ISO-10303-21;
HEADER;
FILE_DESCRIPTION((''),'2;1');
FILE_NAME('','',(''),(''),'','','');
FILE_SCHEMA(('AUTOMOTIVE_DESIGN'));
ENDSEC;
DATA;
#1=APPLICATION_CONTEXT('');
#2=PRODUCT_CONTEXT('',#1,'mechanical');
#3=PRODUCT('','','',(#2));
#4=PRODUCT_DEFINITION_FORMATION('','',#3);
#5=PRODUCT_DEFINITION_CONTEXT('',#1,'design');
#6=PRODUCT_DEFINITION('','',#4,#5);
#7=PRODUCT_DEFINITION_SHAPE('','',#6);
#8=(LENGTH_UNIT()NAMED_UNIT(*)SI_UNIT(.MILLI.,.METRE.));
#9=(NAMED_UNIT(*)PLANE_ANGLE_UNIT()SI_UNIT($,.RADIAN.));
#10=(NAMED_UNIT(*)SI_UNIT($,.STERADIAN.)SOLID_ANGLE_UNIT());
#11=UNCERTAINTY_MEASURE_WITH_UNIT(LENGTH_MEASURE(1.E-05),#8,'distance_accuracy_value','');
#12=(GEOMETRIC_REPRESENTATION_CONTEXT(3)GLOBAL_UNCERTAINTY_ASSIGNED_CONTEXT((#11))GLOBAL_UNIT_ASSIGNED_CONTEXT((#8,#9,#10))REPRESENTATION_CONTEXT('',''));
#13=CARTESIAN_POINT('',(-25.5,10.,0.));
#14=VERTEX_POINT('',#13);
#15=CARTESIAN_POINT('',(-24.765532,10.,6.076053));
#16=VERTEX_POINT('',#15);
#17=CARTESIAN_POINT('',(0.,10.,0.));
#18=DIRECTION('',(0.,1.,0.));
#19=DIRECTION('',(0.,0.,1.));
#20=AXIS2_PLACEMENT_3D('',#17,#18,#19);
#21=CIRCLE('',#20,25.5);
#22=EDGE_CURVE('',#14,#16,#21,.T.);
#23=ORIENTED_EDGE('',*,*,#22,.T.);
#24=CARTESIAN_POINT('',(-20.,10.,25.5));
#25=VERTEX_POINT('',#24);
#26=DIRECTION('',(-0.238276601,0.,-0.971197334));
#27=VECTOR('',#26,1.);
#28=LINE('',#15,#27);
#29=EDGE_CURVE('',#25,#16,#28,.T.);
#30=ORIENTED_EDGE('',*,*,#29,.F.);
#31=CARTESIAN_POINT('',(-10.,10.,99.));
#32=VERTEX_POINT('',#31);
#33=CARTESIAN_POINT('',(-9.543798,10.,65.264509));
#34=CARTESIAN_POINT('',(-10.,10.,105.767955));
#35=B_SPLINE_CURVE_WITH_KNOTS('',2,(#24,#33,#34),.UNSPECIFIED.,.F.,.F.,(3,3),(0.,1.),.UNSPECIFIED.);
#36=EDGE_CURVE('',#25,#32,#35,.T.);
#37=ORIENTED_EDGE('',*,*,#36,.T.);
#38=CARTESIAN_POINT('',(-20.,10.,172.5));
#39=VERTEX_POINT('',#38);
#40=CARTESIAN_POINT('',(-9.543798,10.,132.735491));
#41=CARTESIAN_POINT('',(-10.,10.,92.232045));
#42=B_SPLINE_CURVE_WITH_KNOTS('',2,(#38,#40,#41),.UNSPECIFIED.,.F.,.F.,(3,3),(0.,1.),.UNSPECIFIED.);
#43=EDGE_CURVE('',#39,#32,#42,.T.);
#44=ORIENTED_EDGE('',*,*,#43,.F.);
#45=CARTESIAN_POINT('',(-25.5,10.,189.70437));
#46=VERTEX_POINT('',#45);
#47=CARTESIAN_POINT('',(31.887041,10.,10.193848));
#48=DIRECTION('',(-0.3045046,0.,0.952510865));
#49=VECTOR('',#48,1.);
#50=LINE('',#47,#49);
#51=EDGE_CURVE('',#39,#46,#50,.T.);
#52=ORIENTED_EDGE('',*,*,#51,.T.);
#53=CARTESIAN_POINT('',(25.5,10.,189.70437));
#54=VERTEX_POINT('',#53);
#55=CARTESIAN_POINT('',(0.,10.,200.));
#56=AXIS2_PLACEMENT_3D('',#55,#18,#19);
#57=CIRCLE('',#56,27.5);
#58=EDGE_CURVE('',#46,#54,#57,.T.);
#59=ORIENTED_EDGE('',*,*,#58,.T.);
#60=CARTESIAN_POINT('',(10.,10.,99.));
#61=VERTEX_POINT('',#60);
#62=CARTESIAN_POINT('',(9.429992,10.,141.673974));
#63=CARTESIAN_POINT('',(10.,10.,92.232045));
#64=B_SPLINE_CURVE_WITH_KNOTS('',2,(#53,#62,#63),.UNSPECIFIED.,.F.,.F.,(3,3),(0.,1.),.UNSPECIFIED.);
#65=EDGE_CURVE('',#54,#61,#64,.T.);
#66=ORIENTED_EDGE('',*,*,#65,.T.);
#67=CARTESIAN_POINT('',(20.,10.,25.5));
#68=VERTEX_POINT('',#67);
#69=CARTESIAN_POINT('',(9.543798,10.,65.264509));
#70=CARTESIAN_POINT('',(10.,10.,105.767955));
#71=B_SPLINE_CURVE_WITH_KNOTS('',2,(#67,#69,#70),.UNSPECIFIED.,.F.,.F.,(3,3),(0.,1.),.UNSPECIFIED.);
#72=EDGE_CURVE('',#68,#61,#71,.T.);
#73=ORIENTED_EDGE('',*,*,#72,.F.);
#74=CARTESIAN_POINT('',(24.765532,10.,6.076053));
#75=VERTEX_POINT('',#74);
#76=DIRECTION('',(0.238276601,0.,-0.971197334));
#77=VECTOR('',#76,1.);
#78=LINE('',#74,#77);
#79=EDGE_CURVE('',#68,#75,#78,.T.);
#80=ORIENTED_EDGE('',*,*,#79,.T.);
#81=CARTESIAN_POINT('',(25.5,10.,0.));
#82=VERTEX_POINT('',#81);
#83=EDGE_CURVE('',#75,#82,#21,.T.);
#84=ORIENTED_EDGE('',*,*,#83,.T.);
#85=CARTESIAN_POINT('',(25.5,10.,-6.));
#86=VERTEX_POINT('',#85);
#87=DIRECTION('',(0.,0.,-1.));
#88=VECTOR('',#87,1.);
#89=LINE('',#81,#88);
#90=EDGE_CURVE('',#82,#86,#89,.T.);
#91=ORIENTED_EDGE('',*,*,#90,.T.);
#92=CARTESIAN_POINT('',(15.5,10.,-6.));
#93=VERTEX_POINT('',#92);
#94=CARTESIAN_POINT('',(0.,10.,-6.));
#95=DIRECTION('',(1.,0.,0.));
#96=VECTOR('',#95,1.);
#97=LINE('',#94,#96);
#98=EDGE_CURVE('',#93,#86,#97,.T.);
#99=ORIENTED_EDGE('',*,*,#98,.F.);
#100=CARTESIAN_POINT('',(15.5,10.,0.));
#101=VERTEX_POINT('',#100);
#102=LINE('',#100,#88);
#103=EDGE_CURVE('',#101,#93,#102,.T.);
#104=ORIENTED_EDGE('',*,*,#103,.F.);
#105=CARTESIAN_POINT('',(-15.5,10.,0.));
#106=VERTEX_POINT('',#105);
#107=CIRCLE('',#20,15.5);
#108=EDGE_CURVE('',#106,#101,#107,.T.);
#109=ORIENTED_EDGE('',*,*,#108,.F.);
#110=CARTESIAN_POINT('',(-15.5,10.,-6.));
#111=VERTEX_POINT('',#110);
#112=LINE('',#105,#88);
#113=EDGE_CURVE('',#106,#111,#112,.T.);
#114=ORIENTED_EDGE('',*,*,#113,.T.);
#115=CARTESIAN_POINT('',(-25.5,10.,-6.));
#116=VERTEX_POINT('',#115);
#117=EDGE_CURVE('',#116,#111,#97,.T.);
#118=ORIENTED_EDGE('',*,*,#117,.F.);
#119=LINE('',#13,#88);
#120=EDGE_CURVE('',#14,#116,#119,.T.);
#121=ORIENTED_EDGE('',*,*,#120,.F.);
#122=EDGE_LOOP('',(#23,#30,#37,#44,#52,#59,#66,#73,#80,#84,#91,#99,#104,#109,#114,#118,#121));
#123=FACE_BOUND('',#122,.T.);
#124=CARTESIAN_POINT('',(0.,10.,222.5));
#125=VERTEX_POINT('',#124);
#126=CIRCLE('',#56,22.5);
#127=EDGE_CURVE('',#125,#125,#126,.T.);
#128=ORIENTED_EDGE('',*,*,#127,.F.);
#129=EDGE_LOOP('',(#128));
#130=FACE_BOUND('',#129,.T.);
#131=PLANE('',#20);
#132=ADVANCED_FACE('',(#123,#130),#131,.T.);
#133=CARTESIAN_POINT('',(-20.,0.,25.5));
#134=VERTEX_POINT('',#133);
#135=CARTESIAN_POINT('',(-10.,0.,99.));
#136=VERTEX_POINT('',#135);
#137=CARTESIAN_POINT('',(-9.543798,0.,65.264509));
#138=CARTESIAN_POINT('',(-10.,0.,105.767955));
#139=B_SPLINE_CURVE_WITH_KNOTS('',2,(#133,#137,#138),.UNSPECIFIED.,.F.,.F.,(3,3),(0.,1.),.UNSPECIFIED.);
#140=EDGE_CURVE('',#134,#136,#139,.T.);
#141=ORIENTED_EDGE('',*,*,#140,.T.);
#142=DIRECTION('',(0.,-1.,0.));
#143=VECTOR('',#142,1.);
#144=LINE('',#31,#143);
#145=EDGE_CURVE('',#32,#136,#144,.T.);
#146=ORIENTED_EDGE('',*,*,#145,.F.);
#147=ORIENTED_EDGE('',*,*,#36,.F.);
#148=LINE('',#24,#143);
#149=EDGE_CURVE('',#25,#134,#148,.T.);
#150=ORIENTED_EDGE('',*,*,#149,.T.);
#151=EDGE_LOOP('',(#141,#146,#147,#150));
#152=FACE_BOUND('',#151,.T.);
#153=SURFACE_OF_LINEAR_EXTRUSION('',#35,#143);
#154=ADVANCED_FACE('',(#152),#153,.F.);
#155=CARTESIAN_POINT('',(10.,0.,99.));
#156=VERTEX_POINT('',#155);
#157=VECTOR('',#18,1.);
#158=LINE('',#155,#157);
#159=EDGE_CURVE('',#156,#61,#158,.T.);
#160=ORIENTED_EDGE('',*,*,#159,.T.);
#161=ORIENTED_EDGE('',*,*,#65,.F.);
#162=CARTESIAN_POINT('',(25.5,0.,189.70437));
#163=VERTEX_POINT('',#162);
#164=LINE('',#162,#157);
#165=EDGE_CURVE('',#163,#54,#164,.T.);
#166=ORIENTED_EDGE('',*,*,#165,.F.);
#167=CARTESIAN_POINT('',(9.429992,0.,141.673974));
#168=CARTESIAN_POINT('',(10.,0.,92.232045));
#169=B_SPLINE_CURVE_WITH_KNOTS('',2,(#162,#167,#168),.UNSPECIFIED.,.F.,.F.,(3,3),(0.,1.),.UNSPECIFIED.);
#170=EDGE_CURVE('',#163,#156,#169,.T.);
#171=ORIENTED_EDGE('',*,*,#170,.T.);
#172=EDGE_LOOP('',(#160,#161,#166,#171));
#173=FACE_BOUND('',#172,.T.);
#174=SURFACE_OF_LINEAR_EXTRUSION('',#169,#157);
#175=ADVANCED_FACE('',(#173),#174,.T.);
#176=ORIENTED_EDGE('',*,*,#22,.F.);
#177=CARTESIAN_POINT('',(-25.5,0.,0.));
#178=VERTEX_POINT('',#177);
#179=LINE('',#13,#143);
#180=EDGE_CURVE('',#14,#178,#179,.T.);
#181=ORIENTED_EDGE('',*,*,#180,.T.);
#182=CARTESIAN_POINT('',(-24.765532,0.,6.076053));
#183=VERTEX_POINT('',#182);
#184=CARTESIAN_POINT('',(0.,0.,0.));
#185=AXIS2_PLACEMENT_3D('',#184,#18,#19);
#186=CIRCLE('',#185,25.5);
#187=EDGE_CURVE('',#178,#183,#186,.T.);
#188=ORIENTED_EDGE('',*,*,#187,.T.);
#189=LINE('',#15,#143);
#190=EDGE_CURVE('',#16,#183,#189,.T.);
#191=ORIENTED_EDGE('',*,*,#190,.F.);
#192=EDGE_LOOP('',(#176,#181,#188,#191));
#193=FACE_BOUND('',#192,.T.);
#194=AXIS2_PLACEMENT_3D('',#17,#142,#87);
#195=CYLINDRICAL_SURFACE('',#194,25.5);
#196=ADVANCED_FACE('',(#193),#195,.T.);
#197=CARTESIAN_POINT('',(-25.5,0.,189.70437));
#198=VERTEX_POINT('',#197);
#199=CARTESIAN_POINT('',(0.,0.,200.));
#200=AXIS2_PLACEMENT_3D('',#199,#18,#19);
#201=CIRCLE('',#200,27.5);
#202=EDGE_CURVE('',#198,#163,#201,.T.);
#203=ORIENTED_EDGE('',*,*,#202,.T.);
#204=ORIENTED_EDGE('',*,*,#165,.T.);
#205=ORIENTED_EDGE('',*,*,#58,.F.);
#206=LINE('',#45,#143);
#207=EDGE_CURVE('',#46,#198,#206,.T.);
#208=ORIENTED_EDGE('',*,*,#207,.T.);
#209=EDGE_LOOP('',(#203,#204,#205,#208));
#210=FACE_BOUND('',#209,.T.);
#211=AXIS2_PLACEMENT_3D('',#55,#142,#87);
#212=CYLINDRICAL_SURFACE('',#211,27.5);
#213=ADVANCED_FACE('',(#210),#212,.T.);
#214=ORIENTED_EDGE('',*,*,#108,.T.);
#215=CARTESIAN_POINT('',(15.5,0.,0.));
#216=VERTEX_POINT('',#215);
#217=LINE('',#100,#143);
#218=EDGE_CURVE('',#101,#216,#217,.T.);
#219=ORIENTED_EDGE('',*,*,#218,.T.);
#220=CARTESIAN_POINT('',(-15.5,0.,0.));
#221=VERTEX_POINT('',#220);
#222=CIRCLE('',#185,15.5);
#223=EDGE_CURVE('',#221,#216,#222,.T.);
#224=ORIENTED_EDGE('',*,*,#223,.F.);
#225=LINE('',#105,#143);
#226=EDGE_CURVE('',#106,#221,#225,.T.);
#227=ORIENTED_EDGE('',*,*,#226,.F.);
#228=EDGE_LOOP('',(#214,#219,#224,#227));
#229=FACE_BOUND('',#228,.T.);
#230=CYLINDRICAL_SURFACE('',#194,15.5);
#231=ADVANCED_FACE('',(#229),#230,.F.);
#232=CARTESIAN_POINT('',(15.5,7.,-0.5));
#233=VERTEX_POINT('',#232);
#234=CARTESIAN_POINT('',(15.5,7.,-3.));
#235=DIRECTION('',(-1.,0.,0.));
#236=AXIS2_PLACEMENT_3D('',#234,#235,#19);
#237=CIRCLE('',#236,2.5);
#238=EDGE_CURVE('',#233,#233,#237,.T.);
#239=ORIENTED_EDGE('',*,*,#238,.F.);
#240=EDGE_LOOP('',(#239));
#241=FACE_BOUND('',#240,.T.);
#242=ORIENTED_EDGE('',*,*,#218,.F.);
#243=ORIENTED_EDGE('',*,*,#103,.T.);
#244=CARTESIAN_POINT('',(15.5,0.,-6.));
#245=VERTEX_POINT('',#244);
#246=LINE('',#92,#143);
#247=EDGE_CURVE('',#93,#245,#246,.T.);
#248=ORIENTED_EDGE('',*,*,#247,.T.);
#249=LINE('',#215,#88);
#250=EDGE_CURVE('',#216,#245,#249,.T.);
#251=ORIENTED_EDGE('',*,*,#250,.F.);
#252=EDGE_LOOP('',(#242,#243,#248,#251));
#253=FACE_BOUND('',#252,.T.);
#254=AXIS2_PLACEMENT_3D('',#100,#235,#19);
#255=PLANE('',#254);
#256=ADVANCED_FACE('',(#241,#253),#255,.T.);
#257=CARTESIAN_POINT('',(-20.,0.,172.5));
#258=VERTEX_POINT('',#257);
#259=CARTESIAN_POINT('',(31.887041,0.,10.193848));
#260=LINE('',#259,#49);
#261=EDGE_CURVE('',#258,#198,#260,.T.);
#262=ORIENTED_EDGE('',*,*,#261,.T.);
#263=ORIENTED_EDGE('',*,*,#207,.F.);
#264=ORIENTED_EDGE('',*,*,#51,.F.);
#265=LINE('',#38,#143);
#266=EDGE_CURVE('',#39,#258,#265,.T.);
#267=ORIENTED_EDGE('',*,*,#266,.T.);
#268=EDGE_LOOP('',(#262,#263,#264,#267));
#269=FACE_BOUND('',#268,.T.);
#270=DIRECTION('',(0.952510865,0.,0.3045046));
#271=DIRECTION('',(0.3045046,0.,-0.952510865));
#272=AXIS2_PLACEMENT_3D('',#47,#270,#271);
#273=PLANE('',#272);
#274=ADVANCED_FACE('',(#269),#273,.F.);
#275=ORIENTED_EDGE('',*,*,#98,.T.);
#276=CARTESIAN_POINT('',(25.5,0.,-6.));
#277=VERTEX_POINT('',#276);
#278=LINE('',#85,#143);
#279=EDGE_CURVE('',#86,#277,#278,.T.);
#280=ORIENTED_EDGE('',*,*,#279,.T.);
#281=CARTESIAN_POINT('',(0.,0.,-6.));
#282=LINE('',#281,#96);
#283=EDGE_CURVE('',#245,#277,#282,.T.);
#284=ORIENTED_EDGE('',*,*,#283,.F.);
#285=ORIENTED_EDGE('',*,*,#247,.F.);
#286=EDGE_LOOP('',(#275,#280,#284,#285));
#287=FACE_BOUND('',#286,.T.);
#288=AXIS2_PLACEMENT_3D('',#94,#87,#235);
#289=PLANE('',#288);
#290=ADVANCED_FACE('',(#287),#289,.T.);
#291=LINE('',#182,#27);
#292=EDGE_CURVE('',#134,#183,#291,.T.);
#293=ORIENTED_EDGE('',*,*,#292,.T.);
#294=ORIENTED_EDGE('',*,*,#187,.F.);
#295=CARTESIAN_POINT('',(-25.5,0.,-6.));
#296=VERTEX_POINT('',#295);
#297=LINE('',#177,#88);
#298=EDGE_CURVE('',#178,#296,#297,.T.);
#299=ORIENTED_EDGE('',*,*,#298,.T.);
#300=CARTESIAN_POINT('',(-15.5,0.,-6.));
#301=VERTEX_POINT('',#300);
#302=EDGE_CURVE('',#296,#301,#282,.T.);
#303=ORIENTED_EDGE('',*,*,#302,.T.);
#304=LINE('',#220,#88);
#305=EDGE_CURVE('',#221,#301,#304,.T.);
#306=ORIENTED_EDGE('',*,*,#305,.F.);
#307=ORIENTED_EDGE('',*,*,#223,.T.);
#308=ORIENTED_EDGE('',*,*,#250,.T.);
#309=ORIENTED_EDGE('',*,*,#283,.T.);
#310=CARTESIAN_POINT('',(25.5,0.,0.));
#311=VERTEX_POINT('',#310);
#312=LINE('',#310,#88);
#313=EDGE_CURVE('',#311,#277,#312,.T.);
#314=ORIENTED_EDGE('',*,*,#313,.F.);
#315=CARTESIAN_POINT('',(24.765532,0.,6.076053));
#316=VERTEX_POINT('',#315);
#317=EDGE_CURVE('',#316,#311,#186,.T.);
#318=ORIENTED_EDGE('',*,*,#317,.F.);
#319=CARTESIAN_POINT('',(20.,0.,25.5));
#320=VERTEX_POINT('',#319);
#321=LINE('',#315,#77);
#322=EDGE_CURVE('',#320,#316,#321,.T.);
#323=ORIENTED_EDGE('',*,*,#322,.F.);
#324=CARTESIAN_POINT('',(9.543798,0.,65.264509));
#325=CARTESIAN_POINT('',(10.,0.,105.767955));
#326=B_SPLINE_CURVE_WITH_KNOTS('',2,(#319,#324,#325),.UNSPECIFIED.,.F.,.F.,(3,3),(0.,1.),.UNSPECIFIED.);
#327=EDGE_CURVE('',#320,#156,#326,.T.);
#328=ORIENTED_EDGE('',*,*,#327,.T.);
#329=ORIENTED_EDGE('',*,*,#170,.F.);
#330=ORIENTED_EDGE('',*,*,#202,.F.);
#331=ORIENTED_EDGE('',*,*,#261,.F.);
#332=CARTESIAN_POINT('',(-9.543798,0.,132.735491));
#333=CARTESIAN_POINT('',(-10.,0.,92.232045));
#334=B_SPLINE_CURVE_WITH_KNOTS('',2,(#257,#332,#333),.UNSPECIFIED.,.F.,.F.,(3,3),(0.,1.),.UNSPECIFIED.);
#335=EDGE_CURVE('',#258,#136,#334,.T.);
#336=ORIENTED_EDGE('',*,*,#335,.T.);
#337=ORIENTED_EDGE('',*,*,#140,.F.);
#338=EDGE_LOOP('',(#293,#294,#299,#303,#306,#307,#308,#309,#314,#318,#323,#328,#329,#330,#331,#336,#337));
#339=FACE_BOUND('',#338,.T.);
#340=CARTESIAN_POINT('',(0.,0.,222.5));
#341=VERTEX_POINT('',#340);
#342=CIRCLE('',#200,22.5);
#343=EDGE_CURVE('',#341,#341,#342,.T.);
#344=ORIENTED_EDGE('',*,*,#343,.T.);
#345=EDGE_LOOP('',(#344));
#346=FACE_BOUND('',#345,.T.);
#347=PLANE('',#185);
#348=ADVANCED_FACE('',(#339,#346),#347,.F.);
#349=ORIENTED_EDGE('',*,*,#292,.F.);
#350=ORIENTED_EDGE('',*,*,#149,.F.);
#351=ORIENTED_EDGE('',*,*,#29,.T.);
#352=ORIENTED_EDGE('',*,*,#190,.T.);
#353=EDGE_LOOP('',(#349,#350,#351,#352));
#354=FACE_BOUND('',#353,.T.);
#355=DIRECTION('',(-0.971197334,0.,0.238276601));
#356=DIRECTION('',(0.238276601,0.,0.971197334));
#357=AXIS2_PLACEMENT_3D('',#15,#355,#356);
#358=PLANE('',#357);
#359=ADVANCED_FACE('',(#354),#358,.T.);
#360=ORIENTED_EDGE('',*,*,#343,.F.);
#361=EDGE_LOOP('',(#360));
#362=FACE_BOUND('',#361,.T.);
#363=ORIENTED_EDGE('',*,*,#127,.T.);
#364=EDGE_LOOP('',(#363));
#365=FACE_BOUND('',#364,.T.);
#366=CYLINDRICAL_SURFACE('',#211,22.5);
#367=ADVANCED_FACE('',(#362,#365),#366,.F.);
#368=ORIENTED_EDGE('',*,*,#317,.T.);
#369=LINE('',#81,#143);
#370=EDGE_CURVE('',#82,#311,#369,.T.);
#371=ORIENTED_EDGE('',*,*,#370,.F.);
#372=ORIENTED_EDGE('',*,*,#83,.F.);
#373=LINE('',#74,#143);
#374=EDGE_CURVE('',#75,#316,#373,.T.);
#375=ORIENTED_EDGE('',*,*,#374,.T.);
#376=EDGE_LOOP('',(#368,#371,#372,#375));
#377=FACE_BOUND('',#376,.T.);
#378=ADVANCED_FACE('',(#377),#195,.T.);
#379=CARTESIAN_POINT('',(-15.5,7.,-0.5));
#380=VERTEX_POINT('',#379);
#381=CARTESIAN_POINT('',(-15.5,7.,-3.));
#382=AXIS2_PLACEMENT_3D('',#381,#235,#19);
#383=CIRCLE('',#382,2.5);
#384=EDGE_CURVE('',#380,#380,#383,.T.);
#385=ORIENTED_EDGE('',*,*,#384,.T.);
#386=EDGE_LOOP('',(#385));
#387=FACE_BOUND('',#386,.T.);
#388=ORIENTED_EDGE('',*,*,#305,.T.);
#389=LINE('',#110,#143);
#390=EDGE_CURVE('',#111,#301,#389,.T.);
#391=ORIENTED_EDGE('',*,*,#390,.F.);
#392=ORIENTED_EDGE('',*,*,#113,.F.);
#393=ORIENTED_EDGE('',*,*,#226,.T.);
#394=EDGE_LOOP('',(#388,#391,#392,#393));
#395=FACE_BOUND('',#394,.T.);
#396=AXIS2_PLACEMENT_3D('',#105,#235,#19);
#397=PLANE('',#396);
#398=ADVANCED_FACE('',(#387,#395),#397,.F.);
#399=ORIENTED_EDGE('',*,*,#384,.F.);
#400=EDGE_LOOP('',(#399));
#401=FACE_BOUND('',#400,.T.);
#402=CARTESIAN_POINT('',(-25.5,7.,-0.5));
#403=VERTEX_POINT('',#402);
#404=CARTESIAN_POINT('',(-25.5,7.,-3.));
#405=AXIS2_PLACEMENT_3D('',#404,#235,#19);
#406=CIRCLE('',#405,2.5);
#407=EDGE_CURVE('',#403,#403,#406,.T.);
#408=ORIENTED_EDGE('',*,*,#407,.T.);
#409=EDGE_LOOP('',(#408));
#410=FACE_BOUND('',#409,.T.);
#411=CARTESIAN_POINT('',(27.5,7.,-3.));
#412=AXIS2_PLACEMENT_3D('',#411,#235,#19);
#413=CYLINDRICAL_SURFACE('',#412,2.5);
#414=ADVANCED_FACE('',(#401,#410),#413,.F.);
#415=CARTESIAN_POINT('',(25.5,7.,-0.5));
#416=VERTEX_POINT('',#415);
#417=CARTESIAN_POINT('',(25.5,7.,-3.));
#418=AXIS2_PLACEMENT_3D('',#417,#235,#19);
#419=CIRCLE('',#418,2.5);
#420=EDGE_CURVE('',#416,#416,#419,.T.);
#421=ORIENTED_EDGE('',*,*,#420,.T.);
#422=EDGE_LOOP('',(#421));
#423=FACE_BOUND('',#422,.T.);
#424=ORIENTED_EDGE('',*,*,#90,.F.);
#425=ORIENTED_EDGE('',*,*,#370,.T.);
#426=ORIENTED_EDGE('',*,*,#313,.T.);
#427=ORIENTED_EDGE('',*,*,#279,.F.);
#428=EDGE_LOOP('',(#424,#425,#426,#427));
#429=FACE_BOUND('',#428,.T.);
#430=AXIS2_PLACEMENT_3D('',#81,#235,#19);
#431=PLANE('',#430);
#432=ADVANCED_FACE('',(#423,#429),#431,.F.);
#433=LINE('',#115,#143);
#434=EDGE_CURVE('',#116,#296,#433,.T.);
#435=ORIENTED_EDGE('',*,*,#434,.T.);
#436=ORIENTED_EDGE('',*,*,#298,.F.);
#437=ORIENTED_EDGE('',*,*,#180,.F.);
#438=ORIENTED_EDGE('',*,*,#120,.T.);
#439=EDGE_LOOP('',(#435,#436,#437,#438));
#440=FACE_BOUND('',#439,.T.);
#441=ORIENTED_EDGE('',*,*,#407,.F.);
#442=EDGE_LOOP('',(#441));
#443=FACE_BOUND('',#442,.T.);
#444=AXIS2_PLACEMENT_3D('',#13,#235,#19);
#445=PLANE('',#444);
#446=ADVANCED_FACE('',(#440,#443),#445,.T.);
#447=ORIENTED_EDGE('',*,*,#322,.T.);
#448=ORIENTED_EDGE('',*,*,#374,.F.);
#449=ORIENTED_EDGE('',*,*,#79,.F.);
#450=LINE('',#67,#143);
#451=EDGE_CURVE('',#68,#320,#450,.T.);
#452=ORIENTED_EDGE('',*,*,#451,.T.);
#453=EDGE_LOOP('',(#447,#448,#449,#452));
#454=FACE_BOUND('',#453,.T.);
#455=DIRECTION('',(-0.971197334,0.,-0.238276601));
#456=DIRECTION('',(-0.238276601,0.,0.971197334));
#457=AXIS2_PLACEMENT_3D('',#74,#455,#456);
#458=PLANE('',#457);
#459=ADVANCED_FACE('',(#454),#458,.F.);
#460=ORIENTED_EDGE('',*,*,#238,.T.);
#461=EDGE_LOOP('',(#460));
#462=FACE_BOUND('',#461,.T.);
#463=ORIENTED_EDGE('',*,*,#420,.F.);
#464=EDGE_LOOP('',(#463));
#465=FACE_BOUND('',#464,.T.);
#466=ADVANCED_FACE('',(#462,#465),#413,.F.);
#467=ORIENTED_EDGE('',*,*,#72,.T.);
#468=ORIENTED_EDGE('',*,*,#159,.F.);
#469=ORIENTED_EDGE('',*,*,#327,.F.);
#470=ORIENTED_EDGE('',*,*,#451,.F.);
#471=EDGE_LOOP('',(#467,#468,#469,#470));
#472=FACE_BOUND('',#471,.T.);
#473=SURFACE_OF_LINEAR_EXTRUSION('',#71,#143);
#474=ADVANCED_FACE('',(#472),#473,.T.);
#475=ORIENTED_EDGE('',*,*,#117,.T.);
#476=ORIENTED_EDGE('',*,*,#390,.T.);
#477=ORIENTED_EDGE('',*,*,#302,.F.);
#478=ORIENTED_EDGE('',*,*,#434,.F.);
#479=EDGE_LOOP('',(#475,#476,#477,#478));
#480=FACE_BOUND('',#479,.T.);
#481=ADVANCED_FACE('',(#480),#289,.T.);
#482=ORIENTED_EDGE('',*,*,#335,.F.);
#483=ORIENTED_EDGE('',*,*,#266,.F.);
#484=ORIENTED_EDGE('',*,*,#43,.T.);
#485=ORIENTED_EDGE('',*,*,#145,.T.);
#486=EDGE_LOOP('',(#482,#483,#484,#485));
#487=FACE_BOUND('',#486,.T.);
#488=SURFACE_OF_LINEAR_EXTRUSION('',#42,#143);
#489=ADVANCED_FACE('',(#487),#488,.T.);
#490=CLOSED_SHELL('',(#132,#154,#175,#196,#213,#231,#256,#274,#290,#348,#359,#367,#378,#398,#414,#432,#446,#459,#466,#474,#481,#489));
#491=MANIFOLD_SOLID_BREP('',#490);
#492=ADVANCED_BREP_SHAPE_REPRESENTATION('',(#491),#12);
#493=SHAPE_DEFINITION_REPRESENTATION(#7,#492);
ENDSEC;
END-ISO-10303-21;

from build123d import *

# Parameters (mm, degrees)
BOSS_EXTRUDE1_DEPTH   = 10
SKETCH1_R             = 22.5
BOSS_EXTRUDE1_2_DEPTH = 10
BOSS_EXTRUDE6_DEPTH   = 10
SKETCH4_R             = 2.5
CUT_EXTRUDE1_DEPTH    = 234.806009457


with BuildPart() as part:
    # Sketch1 → Boss-Extrude1 (new body)
    with BuildSketch(Plane(origin=(0, 0, 0), x_dir=(1, 0, 0), z_dir=(0, 1, 0))):
        with BuildLine():
            Line((-25.5, 6), (-25.5, 0))
            ThreePointArc((-25.5, 0), (-25.315717118, -3.06014163), (-24.765532016, -6.076053321))
            Line((-24.765532016, -6.076053321), (-20, -25.5))
            add(Edge.make_bspline(
                [(-20, -25.5), (-10.418058305, -61.939732527), (-10, -99)],
                knots=[0, 0, 0, 0.916388339, 0.916388339, 0.916388339], degree=2))
            Line((-10, -99), (0, -99))
            Line((0, -99), (0, -172.5))
            Line((0, -172.5), (10, -172.5))
            Line((10, -172.5), (10, -105.767954903))
            add(Edge.make_bspline(
                [(10, -99), (9.961856183, -102.381394532), (10, -105.767954903)],
                knots=[0.916388339, 0.916388339, 0.916388339, 1, 1, 1], degree=2))
            add(Edge.make_bspline(
                [(20, -25.5), (10.418058305, -61.939732527), (10, -99)],
                knots=[0, 0, 0, 0.916388339, 0.916388339, 0.916388339], degree=2))
            Line((20, -25.5), (24.765532016, -6.076053321))
            ThreePointArc((24.765532016, -6.076053321), (25.315717118, -3.06014163), (25.5, 0))
            Line((25.5, 0), (25.5, 6))
            Line((25.5, 6), (15.5, 6))
            Line((15.5, 6), (15.5, 0))
            ThreePointArc((15.5, 0), (0, -15.5), (-15.5, 0))
            Line((-15.5, 0), (-15.5, 6))
            Line((-15.5, 6), (-25.5, 6))
        make_face()
    extrude(amount=BOSS_EXTRUDE1_DEPTH)



with BuildPart() as body_2:
    # Sketch1 → Boss-Extrude1 2 (new body)
    with BuildSketch(Plane(origin=(0, 0, 0), x_dir=(1, 0, 0), z_dir=(0, 1, 0))):
        with BuildLine():
            Line((-10, -172.5), (-10, -99))
            add(Edge.make_bspline(
                [(-20, -172.5), (-10.418058305, -136.060267473), (-10, -99)],
                knots=[0, 0, 0, 0.916388339, 0.916388339, 0.916388339], degree=2))
            Line((-20, -172.5), (-25.5, -189.704369859))
            ThreePointArc((-25.5, -189.704369859), (15.380509925, -222.796708412), (0, -172.5))
            Line((0, -172.5), (-10, -172.5))
        make_face()
        with Locations(Location((0, -200, 0), (0, 0, 270))):
            Circle(SKETCH1_R, mode=Mode.SUBTRACT)
    extrude(amount=BOSS_EXTRUDE1_2_DEPTH)


with BuildPart() as part_1:
    add(part.part)

    add(body_2.part)  # Boss-Extrude6 merges body 2
    # Sketch3 → Boss-Extrude6 (add)
    with BuildSketch(Plane(origin=(0, 10, 0), x_dir=(1, 0, 0), z_dir=(0, 1, 0))):
        with BuildLine():
            ThreePointArc((0, -172.5), (5.087835239, -172.974753792), (10, -174.382623085))
            Line((10, -174.382623085), (10, -99))
            Line((10, -99), (-10, -99))
            Line((-10, -99), (-10, -172.5))
            Line((-10, -172.5), (0, -172.5))
        make_face()
        with BuildLine():
            Line((10, -99), (10, -174.382623085))
            ThreePointArc((10, -174.382623085), (19.332653234, -180.442430648), (25.5, -189.704369859))
            add(Edge.make_bspline(
                [(25.5, -189.704369859), (10.530956194, -144.964559023), (10, -99)],
                knots=[0, 0, 0, 0.931489523, 0.931489523, 0.931489523], degree=2))
        make_face()
    extrude(amount=-BOSS_EXTRUDE6_DEPTH)

    # Sketch4 → Cut-Extrude1 (cut, through all)
    with BuildSketch(Plane.ZY.offset(25.5)):
        with Locations((-3, 7)):
            Circle(SKETCH4_R)
    extrude(amount=-CUT_EXTRUDE1_DEPTH, mode=Mode.SUBTRACT)


solid = part_1.part
